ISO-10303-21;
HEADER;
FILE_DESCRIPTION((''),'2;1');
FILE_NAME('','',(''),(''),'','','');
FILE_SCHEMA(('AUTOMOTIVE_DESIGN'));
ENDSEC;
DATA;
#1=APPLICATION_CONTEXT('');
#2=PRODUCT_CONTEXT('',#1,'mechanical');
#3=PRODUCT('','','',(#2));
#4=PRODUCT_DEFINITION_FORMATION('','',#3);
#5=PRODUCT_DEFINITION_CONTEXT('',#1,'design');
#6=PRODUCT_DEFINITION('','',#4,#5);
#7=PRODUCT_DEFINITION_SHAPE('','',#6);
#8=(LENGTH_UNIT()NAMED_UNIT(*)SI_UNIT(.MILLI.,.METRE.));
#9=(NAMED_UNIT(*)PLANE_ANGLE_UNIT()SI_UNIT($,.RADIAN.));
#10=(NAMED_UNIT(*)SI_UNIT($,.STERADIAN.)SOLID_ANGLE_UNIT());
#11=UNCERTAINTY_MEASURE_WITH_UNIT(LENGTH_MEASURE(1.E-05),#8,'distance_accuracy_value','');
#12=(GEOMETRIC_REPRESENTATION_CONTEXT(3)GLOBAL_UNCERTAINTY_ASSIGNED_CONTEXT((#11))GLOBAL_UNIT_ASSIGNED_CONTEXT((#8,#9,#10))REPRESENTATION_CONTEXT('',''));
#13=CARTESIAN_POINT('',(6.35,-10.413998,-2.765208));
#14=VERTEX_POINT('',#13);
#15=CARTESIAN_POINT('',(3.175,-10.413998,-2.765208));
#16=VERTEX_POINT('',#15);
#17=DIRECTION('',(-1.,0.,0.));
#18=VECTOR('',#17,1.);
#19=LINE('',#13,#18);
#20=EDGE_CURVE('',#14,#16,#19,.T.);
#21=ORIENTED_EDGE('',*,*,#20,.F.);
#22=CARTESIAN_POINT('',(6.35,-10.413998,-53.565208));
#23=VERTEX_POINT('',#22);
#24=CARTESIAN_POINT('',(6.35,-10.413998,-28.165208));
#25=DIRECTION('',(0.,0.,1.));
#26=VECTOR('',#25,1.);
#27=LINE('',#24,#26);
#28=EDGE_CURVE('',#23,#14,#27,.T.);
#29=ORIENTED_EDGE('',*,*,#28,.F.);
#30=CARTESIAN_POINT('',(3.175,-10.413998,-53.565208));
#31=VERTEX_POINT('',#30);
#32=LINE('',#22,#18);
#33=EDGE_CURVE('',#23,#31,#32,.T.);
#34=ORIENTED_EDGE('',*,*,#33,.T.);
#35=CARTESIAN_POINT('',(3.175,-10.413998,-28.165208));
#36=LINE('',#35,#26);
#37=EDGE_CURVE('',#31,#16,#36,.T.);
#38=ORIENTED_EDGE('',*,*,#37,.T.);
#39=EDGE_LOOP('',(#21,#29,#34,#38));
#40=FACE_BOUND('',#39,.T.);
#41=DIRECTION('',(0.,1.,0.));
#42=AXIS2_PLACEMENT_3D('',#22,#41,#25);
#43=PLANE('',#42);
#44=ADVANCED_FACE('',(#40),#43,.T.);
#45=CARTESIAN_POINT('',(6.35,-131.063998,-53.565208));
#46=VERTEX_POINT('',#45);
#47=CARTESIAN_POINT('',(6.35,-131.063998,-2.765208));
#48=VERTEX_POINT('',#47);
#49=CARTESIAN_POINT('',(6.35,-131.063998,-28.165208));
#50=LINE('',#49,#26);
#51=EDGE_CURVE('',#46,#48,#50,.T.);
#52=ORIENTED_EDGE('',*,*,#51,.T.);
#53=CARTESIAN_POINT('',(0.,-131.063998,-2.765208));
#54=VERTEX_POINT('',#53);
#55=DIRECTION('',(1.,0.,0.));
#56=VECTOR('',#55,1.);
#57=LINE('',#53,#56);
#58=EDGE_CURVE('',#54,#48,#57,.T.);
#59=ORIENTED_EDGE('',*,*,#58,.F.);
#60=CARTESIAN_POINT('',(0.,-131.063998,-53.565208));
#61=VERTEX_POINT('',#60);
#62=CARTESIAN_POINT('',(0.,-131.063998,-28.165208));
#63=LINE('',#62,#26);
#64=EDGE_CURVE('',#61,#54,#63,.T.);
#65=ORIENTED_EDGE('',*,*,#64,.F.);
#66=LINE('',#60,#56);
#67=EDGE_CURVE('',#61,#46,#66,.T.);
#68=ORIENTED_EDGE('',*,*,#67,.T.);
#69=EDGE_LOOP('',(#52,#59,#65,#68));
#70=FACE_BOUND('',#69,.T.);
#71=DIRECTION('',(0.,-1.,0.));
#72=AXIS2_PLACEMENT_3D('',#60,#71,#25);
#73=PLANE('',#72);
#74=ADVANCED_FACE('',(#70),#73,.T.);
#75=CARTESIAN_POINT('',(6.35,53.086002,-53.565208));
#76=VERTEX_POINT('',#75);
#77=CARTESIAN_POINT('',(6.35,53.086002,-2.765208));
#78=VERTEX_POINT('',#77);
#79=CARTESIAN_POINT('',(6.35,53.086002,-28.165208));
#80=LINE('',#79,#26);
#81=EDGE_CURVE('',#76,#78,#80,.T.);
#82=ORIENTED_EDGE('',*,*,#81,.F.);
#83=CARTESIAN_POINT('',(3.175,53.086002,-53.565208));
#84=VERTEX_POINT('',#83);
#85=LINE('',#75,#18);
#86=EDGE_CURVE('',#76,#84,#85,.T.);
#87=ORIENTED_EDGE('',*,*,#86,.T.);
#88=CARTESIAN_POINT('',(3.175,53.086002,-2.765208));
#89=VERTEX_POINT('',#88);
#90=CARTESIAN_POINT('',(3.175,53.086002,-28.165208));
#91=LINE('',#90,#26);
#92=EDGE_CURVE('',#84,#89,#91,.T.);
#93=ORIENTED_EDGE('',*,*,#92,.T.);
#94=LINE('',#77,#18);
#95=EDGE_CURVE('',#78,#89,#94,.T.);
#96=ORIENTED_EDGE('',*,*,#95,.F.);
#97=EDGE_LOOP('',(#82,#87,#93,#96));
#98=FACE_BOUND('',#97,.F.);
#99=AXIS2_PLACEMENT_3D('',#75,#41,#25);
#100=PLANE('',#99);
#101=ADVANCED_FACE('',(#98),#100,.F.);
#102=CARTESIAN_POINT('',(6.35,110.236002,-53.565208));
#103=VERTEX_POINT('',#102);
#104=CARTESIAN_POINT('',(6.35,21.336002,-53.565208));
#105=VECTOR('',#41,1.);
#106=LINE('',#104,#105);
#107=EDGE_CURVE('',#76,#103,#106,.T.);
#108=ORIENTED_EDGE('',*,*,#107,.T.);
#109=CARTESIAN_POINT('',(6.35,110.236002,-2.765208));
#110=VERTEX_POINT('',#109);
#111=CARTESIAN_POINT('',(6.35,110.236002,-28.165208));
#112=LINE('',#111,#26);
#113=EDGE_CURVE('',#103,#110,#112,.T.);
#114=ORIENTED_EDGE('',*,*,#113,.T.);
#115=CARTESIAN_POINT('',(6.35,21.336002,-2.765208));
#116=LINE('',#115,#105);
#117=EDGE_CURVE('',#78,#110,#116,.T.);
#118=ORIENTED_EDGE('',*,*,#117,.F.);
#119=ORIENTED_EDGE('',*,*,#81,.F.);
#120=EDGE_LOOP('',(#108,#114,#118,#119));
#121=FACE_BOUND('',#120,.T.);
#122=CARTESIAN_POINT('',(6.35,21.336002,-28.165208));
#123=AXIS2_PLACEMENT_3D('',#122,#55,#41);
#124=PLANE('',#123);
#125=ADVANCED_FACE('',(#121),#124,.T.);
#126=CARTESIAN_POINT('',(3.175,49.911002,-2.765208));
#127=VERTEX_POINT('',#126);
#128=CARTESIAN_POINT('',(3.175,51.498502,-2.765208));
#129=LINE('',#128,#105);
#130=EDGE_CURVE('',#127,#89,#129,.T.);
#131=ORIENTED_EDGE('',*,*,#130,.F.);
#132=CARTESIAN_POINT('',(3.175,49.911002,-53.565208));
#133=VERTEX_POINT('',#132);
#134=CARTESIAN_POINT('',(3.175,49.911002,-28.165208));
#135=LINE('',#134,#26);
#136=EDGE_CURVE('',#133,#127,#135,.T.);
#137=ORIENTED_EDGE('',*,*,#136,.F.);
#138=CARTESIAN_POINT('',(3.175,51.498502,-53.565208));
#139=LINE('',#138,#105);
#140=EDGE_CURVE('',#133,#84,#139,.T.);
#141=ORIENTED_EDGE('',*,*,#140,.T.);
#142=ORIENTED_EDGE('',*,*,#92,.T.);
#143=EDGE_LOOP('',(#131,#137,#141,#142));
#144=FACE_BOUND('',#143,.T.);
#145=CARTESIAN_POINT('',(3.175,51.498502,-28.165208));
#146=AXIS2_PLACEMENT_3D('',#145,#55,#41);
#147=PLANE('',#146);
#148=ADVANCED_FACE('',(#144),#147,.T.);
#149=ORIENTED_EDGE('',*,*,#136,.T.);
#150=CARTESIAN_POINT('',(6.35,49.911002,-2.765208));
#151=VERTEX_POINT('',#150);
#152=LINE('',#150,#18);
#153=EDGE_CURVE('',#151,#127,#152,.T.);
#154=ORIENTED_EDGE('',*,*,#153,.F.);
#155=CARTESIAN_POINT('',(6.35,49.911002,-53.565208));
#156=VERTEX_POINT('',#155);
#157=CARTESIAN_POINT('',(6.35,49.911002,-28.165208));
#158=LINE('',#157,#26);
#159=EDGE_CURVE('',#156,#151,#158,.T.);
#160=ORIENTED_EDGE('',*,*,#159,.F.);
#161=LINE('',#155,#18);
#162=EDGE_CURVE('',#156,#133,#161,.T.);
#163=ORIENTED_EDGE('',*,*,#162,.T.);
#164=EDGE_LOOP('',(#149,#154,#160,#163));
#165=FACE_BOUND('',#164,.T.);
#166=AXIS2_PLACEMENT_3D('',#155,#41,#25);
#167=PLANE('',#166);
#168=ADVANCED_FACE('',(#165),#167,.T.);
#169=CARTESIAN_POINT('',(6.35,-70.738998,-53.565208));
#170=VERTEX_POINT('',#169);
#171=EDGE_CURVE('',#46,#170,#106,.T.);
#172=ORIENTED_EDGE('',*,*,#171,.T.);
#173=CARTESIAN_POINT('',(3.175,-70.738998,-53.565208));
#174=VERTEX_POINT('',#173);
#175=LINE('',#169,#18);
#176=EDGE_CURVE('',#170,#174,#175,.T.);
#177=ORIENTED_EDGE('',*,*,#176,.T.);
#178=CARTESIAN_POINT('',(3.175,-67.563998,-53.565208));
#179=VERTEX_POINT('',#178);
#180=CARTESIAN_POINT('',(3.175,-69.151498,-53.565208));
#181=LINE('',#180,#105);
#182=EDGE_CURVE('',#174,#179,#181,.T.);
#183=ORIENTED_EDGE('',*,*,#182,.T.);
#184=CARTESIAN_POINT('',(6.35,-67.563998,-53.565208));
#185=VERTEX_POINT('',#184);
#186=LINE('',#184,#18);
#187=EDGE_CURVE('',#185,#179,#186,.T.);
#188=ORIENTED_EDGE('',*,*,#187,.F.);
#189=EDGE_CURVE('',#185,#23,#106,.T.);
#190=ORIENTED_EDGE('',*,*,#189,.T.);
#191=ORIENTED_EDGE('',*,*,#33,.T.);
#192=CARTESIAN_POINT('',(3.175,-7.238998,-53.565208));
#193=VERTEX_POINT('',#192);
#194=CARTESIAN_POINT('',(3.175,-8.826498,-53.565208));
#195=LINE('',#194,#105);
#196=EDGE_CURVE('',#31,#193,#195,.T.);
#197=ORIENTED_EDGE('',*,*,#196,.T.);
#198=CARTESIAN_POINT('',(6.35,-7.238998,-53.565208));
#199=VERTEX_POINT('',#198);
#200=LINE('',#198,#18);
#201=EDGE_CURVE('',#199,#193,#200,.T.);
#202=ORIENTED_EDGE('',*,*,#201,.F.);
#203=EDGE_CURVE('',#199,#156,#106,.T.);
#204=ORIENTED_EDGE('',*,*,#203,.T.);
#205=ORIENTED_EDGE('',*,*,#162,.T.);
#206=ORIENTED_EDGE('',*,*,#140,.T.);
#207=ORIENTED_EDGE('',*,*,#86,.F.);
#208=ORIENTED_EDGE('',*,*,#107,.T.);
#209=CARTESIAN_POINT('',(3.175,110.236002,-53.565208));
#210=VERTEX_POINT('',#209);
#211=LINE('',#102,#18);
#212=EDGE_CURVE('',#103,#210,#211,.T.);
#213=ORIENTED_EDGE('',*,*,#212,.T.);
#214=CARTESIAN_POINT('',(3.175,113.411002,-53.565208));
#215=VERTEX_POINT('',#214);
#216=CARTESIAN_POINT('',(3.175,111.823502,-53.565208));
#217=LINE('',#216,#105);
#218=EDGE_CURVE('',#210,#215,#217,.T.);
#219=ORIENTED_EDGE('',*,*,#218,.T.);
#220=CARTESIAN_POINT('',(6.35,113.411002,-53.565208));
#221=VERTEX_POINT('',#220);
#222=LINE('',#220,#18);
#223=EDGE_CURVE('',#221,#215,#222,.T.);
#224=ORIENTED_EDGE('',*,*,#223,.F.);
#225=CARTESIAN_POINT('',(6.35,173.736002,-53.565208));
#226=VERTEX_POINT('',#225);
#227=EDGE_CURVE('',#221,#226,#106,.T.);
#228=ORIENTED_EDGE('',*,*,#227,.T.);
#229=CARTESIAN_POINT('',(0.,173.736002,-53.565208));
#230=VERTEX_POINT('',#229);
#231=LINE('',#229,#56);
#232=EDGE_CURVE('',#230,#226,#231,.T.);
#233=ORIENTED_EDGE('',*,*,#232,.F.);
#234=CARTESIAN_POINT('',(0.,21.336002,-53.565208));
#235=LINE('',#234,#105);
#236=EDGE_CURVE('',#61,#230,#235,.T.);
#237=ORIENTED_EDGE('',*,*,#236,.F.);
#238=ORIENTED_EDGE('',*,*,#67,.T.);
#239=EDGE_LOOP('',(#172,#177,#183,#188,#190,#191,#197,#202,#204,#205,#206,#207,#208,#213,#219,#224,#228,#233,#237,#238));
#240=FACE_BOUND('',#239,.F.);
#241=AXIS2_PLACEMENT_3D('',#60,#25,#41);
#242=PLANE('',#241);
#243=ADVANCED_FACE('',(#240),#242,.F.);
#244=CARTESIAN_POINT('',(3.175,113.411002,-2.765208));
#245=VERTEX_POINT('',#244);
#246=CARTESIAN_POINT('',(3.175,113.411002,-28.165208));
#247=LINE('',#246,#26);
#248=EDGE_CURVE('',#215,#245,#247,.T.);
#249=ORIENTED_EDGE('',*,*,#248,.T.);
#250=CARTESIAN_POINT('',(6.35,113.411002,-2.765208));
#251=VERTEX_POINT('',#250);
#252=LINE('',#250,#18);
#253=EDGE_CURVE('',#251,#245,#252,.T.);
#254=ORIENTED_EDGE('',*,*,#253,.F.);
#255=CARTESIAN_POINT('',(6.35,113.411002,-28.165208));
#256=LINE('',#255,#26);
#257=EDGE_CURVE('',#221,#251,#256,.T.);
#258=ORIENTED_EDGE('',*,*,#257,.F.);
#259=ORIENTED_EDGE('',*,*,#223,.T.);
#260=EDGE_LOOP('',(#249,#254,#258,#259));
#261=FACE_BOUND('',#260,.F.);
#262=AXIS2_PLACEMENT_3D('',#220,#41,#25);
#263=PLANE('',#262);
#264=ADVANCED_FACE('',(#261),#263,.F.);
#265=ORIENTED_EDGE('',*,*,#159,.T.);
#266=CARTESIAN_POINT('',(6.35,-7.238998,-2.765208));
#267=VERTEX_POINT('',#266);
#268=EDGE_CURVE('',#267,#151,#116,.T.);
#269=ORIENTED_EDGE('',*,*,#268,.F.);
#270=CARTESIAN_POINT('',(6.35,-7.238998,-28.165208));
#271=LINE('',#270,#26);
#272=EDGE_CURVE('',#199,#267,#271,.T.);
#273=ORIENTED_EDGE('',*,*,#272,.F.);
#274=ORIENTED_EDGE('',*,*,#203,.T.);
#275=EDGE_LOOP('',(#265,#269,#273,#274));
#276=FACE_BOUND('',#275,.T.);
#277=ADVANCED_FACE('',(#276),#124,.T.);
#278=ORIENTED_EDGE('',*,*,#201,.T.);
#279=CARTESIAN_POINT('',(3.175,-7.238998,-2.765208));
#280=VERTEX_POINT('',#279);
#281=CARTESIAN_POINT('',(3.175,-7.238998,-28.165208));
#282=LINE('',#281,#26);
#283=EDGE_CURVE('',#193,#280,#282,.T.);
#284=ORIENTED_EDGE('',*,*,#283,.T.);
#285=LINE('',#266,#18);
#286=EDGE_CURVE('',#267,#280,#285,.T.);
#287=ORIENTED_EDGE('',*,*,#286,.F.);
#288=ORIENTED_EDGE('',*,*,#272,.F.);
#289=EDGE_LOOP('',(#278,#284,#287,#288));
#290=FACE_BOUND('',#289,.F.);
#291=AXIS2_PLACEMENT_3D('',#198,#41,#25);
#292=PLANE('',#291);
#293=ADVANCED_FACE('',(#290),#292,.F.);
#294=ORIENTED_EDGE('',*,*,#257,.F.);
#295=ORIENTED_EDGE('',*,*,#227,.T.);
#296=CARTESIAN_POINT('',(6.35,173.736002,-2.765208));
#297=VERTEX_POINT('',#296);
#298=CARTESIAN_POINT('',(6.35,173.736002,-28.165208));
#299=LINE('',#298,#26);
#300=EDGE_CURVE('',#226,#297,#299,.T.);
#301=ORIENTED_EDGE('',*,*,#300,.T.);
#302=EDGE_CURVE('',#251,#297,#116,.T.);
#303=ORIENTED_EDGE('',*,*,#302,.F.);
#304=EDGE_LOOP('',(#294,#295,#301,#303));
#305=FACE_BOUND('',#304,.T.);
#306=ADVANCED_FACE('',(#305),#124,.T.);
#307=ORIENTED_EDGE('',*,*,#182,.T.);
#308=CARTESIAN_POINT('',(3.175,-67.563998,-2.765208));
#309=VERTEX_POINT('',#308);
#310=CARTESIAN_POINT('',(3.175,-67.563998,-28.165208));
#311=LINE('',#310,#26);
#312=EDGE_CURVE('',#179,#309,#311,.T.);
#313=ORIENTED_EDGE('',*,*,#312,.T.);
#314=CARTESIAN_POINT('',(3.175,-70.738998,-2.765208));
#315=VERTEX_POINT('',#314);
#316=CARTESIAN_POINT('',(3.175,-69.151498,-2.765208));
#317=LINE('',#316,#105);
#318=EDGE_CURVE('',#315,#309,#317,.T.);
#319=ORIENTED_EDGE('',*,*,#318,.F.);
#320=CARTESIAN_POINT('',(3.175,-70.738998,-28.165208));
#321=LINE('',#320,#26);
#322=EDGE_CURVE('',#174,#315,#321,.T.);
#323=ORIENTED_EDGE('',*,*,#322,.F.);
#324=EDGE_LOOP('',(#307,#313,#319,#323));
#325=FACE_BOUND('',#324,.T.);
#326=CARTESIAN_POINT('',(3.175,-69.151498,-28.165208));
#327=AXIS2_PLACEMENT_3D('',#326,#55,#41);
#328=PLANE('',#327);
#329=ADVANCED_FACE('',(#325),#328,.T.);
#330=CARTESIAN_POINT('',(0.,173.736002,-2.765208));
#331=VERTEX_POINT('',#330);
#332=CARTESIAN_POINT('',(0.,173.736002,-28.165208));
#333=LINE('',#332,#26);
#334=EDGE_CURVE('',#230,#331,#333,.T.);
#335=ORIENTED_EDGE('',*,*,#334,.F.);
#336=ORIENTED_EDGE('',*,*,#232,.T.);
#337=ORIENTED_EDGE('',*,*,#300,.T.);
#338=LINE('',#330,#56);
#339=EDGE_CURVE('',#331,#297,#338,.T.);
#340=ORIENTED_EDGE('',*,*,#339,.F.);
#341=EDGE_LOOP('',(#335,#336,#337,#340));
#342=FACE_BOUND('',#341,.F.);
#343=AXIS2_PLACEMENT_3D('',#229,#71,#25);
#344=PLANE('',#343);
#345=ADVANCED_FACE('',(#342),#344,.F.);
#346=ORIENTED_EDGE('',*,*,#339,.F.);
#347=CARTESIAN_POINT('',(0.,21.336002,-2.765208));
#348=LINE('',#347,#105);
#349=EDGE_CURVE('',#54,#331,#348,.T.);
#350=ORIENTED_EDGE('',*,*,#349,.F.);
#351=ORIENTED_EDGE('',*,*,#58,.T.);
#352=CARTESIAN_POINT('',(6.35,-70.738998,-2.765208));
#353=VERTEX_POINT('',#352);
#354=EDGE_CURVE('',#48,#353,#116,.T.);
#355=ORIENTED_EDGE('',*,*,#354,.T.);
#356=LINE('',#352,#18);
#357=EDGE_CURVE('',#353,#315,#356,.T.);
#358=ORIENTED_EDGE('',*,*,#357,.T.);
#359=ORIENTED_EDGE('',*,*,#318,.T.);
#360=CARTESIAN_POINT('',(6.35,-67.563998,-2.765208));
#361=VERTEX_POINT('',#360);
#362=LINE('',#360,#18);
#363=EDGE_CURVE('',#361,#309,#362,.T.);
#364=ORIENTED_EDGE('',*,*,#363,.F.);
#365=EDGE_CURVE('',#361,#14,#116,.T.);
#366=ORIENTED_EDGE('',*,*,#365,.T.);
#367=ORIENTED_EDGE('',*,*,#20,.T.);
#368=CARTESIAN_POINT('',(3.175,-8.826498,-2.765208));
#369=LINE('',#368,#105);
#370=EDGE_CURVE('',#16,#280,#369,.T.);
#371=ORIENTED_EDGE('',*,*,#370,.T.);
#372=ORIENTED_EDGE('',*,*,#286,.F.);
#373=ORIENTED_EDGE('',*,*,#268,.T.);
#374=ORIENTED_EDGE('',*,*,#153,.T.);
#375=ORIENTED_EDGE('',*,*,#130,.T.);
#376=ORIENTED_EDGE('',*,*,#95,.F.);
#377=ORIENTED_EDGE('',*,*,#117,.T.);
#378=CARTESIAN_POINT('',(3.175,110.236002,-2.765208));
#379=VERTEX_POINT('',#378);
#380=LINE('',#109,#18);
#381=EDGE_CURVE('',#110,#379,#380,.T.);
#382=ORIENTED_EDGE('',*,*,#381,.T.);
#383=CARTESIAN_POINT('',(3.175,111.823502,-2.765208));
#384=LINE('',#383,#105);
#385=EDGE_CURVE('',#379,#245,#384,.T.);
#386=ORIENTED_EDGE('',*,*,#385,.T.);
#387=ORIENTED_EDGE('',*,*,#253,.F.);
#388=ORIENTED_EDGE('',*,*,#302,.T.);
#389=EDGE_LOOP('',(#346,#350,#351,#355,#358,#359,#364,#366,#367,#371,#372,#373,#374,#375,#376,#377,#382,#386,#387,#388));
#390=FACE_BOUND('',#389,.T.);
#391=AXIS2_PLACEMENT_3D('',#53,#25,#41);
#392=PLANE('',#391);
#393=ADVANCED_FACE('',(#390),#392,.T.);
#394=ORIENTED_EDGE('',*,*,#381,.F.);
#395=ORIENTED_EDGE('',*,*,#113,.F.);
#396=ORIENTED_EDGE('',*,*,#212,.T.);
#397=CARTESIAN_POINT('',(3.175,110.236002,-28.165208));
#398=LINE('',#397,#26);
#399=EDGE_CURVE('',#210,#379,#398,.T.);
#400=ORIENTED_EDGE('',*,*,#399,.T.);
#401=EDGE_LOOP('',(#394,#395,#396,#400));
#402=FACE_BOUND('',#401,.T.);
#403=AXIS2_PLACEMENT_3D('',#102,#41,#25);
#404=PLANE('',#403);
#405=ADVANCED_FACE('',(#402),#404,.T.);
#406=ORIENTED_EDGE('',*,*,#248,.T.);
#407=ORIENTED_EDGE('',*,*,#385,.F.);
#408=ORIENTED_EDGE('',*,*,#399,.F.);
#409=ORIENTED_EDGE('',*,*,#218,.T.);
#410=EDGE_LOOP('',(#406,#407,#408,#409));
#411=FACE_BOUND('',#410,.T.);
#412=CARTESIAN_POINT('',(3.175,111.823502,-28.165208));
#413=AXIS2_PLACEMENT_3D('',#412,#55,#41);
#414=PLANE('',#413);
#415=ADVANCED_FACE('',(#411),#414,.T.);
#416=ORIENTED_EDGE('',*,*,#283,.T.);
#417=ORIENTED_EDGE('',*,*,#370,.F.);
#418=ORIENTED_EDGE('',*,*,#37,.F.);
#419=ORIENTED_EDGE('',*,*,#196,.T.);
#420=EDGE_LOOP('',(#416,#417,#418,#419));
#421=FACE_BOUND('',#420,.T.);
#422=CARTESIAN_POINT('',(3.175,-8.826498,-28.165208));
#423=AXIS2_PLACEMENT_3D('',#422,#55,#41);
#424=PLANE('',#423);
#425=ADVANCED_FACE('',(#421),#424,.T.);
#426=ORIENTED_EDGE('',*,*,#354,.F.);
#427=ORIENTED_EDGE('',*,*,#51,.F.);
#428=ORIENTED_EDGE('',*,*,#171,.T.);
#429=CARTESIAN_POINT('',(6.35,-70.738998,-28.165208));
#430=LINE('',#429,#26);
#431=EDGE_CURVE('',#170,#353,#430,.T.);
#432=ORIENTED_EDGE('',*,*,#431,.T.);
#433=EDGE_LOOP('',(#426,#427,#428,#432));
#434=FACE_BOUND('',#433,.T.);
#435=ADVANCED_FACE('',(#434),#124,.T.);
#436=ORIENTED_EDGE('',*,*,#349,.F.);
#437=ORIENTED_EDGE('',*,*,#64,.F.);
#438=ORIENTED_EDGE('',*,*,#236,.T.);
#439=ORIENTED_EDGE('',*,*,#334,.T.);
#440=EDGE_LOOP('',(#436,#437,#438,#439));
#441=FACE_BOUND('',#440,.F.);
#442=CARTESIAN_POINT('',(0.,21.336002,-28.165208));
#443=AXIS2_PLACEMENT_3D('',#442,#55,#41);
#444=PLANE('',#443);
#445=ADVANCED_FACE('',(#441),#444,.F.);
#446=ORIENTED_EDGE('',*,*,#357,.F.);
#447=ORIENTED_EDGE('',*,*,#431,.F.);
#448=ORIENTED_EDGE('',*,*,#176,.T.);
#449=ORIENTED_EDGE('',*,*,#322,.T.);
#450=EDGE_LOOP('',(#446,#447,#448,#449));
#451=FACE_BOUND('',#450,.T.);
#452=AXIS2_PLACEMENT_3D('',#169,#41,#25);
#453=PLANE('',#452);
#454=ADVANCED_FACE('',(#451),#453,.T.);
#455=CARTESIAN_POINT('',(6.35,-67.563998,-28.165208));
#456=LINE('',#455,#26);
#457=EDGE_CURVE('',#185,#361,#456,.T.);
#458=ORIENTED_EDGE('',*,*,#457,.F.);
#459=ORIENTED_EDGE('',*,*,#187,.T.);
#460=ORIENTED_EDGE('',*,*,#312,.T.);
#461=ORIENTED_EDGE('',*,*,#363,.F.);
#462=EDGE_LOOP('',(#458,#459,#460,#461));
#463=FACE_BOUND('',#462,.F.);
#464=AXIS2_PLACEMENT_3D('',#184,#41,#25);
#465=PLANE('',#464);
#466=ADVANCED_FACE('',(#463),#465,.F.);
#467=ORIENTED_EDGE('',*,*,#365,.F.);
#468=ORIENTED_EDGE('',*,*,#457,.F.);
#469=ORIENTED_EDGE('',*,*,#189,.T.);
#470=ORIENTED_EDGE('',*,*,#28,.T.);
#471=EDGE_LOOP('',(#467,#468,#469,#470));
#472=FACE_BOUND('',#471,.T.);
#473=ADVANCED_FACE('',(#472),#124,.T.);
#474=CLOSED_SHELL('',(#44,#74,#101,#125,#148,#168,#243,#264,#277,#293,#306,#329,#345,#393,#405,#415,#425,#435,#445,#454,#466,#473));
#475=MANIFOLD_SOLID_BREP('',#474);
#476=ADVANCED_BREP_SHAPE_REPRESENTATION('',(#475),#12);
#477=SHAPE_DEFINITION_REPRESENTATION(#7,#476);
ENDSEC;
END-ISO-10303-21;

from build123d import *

# Parameters (mm, degrees)
F0_W     = 304.8
F0_H     = 50.8
F1_DEPTH = 6.35
F2_W     = 3.175
F2_H     = 50.8
F3_DEPTH = 3.175


with BuildPart() as f1:
    # F0 (on Right) → F1 (new body)
    with BuildSketch(Plane.YZ):
        with Locations((21.336002, -28.165208)):
            Rectangle(F0_W, F0_H)
    extrude(amount=F1_DEPTH)

    # F2 (on face) → F3 (cut)
    with BuildSketch(Plane.YZ.offset(6.35)):
        with Locations((-69.151498, -28.165208)):
            Rectangle(F2_W, F2_H)
        with Locations((-8.826498, -28.165208)):
            Rectangle(F2_W, F2_H)
        with Locations((51.498502, -28.165208)):
            Rectangle(F2_W, F2_H)
        with Locations((111.823502, -28.165208)):
            Rectangle(F2_W, F2_H)
    extrude(amount=-F3_DEPTH, mode=Mode.SUBTRACT)


solid = f1.part
